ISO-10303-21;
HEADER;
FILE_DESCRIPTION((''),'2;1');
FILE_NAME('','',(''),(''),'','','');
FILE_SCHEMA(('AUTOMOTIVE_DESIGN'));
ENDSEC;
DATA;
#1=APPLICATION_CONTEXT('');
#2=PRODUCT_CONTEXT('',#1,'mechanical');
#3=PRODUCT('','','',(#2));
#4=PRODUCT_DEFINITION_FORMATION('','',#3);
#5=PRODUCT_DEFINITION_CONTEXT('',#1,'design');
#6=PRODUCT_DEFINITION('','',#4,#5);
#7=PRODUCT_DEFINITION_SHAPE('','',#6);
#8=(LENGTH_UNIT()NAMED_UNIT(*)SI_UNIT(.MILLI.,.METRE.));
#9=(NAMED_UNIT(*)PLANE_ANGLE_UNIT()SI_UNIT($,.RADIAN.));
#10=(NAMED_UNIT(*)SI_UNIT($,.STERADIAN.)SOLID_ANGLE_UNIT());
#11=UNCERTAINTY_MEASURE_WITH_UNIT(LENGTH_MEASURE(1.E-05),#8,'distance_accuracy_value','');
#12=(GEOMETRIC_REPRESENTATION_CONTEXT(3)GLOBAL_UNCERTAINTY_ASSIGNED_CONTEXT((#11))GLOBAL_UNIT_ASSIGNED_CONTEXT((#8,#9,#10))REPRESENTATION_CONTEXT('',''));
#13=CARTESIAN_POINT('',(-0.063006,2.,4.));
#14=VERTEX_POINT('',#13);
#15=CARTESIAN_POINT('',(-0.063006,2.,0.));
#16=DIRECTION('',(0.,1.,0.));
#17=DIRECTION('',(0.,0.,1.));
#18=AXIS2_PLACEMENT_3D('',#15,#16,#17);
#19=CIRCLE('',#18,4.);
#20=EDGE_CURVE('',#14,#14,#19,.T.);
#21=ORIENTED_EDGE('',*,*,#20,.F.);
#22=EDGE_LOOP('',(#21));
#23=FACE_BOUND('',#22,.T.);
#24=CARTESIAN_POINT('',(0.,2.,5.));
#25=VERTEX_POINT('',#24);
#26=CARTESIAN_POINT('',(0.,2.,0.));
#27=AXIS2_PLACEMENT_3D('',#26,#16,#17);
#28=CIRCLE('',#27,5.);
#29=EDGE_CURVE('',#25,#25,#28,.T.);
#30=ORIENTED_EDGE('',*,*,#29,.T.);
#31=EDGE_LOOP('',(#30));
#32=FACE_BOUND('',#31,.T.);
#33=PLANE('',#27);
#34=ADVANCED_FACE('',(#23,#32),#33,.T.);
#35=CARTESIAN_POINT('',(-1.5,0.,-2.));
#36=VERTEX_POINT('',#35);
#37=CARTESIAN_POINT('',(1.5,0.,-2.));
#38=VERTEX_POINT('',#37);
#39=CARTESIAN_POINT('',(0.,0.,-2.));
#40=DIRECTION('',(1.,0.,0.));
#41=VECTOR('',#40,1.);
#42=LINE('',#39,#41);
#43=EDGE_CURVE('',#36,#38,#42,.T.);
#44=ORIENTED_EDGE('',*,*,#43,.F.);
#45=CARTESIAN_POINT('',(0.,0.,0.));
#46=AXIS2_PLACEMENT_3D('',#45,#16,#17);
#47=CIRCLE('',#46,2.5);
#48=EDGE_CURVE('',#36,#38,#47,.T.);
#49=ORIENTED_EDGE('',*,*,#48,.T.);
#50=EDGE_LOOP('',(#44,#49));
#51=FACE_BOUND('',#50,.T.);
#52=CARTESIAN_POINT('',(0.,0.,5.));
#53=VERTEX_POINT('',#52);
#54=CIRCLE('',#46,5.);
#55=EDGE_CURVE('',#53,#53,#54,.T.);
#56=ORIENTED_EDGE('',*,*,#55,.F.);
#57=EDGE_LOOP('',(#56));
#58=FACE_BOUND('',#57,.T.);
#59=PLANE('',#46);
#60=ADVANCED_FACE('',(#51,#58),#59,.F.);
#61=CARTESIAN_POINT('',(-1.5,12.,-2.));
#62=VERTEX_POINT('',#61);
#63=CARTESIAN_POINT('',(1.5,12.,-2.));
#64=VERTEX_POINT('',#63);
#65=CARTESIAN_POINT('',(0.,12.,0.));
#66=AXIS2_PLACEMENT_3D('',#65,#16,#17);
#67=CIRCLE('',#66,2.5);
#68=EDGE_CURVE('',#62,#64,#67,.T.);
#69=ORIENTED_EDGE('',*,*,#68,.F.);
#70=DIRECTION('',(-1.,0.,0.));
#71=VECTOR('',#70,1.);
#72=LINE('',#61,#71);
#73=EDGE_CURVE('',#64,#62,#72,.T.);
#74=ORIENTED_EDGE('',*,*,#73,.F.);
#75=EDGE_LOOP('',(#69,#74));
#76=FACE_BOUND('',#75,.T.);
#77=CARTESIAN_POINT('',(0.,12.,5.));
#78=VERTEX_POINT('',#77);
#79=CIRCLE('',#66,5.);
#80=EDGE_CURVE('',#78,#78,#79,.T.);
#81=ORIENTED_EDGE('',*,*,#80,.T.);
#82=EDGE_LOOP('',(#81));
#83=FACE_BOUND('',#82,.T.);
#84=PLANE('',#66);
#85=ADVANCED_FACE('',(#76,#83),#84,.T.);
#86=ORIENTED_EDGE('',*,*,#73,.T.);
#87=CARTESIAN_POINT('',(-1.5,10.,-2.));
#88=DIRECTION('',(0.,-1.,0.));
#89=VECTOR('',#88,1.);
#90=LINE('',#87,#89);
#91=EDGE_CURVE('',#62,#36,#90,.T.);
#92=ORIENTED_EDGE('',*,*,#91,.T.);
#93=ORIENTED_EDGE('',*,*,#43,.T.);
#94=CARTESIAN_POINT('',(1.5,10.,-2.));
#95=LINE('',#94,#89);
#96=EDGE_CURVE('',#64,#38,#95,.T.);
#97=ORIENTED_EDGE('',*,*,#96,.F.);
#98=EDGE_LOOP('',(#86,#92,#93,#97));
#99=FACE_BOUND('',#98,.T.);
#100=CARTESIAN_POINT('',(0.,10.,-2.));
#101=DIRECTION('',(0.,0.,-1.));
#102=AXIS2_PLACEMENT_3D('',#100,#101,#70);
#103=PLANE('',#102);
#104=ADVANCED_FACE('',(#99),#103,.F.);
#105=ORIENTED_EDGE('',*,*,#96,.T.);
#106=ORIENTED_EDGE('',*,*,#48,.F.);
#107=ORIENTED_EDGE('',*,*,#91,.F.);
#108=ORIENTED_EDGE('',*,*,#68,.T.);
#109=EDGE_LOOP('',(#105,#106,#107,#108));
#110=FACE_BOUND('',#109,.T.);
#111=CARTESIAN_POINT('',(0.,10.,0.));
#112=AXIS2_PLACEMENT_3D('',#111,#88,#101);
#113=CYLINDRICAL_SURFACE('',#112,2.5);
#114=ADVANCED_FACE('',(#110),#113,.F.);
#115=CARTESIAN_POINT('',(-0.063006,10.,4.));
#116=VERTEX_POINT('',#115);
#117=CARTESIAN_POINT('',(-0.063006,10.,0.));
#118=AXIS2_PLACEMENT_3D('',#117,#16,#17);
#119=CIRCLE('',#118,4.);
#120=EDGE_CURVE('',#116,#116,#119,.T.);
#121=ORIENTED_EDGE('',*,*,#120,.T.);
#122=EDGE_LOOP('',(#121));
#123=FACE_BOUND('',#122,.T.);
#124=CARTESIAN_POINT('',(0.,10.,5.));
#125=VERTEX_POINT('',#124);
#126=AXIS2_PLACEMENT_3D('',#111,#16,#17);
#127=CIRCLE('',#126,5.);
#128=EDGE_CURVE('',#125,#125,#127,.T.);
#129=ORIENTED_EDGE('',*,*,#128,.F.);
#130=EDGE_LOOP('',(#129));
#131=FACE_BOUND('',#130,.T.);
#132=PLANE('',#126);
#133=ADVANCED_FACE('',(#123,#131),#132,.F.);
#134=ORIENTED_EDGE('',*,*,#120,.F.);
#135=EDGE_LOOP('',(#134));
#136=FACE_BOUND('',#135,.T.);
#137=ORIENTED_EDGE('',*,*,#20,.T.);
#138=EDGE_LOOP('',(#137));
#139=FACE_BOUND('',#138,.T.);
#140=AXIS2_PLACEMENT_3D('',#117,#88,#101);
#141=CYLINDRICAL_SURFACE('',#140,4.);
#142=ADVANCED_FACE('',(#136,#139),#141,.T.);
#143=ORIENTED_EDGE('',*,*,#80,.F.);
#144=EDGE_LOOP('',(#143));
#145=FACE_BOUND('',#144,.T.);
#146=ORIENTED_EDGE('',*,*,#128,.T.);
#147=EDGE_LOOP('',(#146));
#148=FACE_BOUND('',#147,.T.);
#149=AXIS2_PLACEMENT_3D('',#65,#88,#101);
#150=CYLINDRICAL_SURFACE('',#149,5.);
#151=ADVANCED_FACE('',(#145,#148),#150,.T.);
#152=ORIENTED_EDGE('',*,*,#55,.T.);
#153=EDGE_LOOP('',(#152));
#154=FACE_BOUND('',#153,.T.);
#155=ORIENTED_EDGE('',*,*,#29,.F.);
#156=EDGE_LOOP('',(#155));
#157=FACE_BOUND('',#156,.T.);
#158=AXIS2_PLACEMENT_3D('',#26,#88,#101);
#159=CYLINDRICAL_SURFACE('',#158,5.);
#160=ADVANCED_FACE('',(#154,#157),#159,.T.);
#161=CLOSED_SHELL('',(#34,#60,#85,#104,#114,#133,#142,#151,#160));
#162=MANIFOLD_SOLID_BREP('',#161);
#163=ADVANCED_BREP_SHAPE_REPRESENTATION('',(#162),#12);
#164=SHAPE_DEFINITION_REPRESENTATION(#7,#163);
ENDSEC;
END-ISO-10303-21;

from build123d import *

# Parameters (mm, degrees)
SKETCH_1_R      = 4
EXTRUDE_1_DEPTH = 10
SKETCH_2_R      = 5
EXTRUDE_3_DEPTH = 2
SKETCH_4_R      = 5
EXTRUDE_4_DEPTH = 2


with BuildPart() as part:
    # 草图1 → 凸台-拉伸1 (new body)
    with BuildSketch(Plane(origin=(0, 0, 0), x_dir=(1, 0, 0), z_dir=(0, 1, 0))):
        with Locations(Location((-0.063005912, 0, 0), (0, 0, 270))):
            Circle(SKETCH_1_R)
        with BuildLine():
            Line((-1.5, 2), (1.5, 2))
            ThreePointArc((1.5, 2), (0, -2.5), (-1.5, 2))
        make_face(mode=Mode.SUBTRACT)
    extrude(amount=EXTRUDE_1_DEPTH)

    # 草图2 → 凸台-拉伸3 (add)
    with BuildSketch(Plane(origin=(0, 0, 0), x_dir=(1, 0, 0), z_dir=(0, 1, 0))):
        with Locations(Location((0, 0, 0), (0, 0, 270))):
            Circle(SKETCH_2_R)
        with BuildLine():
            Line((-1.5, 2), (1.5, 2))
            ThreePointArc((1.5, 2), (0, -2.5), (-1.5, 2))
        make_face(mode=Mode.SUBTRACT)
    extrude(amount=EXTRUDE_3_DEPTH)

    # 草图4 → 凸台-拉伸4 (add)
    with BuildSketch(Plane(origin=(0, 10, 0), x_dir=(1, 0, 0), z_dir=(0, 1, 0))):
        with Locations(Location((0, 0, 0), (0, 0, 270))):
            Circle(SKETCH_4_R)
        with BuildLine():
            Line((-1.5, 2), (1.5, 2))
            ThreePointArc((1.5, 2), (0, -2.5), (-1.5, 2))
        make_face(mode=Mode.SUBTRACT)
    extrude(amount=EXTRUDE_4_DEPTH)


solid = part.part
